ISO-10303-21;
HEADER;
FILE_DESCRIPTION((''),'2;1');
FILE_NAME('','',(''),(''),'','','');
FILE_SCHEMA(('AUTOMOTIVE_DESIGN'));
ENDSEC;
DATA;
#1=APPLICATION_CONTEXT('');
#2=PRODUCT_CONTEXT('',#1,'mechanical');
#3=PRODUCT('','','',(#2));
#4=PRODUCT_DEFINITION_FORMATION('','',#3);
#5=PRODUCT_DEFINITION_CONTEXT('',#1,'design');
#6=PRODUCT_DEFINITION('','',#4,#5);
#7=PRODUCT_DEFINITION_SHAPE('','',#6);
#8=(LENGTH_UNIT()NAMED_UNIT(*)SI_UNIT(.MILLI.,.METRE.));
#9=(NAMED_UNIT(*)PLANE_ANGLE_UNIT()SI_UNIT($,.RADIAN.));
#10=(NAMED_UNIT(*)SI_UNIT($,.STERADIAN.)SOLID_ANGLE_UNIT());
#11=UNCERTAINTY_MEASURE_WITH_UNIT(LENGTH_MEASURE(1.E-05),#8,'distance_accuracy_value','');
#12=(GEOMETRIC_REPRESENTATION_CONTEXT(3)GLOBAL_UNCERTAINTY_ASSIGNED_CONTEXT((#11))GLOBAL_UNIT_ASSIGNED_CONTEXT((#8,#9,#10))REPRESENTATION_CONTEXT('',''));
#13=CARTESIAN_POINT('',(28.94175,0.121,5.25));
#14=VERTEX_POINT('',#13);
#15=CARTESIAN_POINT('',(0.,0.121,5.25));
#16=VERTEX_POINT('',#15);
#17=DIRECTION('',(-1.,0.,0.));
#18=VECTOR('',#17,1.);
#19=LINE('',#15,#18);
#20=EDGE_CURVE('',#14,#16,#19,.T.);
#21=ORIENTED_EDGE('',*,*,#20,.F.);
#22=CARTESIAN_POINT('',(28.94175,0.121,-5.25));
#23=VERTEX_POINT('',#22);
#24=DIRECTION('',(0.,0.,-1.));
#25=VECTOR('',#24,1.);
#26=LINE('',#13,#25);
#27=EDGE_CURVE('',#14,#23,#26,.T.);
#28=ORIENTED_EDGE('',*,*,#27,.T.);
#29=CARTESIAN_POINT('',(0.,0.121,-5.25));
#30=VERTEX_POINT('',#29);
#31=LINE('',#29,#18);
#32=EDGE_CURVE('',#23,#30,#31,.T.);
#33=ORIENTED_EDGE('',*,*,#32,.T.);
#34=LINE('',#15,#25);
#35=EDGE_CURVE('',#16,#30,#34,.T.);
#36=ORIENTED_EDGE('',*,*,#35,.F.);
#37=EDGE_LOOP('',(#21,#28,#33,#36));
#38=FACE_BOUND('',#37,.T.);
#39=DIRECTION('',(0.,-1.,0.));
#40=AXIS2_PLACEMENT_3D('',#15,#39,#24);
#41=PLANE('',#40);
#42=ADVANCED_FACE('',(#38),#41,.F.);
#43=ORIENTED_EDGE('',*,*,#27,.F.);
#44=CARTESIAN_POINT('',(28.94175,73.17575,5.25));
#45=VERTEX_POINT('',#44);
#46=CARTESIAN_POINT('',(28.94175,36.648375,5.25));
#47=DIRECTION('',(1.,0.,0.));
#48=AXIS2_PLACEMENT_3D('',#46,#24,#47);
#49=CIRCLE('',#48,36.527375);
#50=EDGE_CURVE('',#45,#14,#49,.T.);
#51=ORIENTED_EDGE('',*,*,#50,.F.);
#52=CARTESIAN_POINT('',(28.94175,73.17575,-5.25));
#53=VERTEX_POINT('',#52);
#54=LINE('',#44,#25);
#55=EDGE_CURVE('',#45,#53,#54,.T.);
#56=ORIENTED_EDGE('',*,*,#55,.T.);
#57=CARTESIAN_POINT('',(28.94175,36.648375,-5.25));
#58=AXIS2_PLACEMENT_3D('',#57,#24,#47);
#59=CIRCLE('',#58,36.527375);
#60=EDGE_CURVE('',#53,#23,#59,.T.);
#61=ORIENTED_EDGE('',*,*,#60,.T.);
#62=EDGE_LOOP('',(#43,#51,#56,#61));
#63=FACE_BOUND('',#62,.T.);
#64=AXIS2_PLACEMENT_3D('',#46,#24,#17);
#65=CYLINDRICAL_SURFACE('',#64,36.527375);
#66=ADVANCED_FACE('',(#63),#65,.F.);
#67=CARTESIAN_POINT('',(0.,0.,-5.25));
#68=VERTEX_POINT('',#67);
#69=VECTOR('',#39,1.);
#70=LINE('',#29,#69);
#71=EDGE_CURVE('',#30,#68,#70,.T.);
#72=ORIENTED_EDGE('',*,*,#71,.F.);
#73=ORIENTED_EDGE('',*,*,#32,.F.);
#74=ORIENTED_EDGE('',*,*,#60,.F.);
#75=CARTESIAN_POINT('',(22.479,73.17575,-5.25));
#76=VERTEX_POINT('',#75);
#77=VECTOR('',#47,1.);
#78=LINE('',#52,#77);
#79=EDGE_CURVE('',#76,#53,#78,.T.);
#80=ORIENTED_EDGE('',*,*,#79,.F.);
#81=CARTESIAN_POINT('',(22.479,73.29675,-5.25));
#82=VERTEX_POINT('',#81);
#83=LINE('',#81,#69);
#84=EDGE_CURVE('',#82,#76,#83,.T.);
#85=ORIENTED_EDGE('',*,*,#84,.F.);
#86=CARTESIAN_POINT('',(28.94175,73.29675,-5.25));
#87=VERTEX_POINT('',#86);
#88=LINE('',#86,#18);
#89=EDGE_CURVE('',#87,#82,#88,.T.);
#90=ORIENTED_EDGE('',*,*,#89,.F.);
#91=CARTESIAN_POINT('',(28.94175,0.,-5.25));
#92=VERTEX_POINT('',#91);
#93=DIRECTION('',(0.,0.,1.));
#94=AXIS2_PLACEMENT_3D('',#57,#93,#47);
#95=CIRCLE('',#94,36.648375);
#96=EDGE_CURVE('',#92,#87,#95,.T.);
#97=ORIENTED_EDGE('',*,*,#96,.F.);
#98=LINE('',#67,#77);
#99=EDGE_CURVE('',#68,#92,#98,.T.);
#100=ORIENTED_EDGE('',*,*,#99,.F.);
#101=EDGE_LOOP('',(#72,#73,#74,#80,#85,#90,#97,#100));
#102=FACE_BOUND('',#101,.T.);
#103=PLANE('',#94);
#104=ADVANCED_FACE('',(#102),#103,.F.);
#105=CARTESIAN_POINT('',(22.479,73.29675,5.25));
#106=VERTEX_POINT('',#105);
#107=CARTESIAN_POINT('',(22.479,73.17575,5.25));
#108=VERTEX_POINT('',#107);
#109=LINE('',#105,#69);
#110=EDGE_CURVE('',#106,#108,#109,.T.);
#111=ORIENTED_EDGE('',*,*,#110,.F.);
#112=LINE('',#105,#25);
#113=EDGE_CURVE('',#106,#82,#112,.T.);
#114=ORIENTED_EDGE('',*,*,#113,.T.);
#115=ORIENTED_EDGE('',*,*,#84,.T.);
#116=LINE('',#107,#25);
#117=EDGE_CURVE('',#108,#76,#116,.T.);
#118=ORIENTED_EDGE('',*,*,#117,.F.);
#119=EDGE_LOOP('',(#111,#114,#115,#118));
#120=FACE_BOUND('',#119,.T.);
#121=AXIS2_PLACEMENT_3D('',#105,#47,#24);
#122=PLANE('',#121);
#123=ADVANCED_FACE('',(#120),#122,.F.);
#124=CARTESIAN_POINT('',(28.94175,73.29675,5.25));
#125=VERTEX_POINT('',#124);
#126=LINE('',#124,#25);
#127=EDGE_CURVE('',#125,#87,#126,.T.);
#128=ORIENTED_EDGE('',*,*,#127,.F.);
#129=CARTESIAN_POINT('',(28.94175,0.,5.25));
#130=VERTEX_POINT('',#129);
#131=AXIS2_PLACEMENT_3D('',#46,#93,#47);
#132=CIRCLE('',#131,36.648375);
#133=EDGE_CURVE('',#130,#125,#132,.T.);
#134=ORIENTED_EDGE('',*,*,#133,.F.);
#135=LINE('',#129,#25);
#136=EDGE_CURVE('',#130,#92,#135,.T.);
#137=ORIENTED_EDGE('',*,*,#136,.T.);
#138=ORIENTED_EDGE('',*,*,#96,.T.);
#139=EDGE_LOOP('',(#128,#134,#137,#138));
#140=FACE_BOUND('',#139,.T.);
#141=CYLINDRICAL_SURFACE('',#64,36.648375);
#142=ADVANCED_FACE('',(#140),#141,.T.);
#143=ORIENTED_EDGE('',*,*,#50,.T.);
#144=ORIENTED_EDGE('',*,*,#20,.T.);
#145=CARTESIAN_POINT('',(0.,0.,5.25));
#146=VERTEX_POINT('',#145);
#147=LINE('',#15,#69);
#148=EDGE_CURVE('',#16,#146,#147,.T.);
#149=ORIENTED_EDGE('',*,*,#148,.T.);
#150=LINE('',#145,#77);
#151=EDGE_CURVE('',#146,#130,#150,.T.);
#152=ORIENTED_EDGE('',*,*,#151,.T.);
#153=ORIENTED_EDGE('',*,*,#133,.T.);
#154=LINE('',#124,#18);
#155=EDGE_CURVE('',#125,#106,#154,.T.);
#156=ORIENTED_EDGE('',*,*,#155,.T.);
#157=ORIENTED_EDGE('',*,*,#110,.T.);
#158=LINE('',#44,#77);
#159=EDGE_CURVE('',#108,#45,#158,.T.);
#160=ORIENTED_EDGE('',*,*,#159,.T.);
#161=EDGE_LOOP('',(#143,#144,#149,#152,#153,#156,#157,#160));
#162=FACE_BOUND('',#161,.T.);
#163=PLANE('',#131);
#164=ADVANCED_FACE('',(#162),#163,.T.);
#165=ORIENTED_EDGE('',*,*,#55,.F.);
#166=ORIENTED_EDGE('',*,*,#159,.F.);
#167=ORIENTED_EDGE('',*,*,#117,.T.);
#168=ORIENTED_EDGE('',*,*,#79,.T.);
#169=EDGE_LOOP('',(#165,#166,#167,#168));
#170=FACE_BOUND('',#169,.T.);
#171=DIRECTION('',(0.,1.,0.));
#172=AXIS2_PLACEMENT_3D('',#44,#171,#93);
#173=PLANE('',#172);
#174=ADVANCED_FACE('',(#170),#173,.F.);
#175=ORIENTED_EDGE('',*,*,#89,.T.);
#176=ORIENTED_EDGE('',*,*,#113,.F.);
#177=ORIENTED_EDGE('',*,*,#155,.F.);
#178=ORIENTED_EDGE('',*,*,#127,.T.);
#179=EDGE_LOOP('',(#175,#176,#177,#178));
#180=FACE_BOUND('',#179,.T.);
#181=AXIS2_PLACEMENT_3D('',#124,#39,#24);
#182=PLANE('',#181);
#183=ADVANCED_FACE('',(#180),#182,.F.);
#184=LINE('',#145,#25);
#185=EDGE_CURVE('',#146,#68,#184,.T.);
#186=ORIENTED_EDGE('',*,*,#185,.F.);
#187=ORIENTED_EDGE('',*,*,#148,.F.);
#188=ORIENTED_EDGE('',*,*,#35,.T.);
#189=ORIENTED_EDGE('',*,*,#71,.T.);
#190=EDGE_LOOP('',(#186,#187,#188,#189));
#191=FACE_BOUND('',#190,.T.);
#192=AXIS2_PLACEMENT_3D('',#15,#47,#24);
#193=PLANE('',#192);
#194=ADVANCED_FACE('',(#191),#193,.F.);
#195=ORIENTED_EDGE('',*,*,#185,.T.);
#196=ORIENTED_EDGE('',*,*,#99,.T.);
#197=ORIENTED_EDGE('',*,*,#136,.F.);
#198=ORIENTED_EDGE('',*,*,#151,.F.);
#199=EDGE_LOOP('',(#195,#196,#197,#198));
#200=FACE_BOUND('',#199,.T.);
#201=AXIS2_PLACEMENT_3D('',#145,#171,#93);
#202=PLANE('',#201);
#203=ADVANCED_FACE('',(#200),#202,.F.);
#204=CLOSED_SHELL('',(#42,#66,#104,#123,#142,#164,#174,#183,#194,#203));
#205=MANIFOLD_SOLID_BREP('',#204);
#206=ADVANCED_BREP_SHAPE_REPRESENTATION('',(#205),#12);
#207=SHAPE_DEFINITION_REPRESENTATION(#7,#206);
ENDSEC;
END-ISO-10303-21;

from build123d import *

# Parameters (mm, degrees)
BOSS_EXTRUDE1_DEPTH = 5.25


with BuildPart() as part:
    # Sketch1 → Boss-Extrude1 (new, symmetric)
    with BuildSketch(Plane.XY):
        with BuildLine():
            Line((0, 0), (28.941750092, 0))
            ThreePointArc((28.941750092, 0), (65.5901251, 36.648375008), (28.941750092, 73.296750016))
            Line((28.941750092, 73.296750016), (22.479000127, 73.296750016))
            Line((22.479000127, 73.296750016), (22.479000127, 73.175750016))
            Line((22.479000127, 73.175750016), (28.941750092, 73.175750016))
            ThreePointArc((28.941750092, 73.175750016), (65.4691251, 36.648375008), (28.941750092, 0.121))
            Line((28.941750092, 0.121), (0, 0.121))
            Line((0, 0.121), (0, 0))
        make_face()
    extrude(amount=BOSS_EXTRUDE1_DEPTH, both=True)


solid = part.part
